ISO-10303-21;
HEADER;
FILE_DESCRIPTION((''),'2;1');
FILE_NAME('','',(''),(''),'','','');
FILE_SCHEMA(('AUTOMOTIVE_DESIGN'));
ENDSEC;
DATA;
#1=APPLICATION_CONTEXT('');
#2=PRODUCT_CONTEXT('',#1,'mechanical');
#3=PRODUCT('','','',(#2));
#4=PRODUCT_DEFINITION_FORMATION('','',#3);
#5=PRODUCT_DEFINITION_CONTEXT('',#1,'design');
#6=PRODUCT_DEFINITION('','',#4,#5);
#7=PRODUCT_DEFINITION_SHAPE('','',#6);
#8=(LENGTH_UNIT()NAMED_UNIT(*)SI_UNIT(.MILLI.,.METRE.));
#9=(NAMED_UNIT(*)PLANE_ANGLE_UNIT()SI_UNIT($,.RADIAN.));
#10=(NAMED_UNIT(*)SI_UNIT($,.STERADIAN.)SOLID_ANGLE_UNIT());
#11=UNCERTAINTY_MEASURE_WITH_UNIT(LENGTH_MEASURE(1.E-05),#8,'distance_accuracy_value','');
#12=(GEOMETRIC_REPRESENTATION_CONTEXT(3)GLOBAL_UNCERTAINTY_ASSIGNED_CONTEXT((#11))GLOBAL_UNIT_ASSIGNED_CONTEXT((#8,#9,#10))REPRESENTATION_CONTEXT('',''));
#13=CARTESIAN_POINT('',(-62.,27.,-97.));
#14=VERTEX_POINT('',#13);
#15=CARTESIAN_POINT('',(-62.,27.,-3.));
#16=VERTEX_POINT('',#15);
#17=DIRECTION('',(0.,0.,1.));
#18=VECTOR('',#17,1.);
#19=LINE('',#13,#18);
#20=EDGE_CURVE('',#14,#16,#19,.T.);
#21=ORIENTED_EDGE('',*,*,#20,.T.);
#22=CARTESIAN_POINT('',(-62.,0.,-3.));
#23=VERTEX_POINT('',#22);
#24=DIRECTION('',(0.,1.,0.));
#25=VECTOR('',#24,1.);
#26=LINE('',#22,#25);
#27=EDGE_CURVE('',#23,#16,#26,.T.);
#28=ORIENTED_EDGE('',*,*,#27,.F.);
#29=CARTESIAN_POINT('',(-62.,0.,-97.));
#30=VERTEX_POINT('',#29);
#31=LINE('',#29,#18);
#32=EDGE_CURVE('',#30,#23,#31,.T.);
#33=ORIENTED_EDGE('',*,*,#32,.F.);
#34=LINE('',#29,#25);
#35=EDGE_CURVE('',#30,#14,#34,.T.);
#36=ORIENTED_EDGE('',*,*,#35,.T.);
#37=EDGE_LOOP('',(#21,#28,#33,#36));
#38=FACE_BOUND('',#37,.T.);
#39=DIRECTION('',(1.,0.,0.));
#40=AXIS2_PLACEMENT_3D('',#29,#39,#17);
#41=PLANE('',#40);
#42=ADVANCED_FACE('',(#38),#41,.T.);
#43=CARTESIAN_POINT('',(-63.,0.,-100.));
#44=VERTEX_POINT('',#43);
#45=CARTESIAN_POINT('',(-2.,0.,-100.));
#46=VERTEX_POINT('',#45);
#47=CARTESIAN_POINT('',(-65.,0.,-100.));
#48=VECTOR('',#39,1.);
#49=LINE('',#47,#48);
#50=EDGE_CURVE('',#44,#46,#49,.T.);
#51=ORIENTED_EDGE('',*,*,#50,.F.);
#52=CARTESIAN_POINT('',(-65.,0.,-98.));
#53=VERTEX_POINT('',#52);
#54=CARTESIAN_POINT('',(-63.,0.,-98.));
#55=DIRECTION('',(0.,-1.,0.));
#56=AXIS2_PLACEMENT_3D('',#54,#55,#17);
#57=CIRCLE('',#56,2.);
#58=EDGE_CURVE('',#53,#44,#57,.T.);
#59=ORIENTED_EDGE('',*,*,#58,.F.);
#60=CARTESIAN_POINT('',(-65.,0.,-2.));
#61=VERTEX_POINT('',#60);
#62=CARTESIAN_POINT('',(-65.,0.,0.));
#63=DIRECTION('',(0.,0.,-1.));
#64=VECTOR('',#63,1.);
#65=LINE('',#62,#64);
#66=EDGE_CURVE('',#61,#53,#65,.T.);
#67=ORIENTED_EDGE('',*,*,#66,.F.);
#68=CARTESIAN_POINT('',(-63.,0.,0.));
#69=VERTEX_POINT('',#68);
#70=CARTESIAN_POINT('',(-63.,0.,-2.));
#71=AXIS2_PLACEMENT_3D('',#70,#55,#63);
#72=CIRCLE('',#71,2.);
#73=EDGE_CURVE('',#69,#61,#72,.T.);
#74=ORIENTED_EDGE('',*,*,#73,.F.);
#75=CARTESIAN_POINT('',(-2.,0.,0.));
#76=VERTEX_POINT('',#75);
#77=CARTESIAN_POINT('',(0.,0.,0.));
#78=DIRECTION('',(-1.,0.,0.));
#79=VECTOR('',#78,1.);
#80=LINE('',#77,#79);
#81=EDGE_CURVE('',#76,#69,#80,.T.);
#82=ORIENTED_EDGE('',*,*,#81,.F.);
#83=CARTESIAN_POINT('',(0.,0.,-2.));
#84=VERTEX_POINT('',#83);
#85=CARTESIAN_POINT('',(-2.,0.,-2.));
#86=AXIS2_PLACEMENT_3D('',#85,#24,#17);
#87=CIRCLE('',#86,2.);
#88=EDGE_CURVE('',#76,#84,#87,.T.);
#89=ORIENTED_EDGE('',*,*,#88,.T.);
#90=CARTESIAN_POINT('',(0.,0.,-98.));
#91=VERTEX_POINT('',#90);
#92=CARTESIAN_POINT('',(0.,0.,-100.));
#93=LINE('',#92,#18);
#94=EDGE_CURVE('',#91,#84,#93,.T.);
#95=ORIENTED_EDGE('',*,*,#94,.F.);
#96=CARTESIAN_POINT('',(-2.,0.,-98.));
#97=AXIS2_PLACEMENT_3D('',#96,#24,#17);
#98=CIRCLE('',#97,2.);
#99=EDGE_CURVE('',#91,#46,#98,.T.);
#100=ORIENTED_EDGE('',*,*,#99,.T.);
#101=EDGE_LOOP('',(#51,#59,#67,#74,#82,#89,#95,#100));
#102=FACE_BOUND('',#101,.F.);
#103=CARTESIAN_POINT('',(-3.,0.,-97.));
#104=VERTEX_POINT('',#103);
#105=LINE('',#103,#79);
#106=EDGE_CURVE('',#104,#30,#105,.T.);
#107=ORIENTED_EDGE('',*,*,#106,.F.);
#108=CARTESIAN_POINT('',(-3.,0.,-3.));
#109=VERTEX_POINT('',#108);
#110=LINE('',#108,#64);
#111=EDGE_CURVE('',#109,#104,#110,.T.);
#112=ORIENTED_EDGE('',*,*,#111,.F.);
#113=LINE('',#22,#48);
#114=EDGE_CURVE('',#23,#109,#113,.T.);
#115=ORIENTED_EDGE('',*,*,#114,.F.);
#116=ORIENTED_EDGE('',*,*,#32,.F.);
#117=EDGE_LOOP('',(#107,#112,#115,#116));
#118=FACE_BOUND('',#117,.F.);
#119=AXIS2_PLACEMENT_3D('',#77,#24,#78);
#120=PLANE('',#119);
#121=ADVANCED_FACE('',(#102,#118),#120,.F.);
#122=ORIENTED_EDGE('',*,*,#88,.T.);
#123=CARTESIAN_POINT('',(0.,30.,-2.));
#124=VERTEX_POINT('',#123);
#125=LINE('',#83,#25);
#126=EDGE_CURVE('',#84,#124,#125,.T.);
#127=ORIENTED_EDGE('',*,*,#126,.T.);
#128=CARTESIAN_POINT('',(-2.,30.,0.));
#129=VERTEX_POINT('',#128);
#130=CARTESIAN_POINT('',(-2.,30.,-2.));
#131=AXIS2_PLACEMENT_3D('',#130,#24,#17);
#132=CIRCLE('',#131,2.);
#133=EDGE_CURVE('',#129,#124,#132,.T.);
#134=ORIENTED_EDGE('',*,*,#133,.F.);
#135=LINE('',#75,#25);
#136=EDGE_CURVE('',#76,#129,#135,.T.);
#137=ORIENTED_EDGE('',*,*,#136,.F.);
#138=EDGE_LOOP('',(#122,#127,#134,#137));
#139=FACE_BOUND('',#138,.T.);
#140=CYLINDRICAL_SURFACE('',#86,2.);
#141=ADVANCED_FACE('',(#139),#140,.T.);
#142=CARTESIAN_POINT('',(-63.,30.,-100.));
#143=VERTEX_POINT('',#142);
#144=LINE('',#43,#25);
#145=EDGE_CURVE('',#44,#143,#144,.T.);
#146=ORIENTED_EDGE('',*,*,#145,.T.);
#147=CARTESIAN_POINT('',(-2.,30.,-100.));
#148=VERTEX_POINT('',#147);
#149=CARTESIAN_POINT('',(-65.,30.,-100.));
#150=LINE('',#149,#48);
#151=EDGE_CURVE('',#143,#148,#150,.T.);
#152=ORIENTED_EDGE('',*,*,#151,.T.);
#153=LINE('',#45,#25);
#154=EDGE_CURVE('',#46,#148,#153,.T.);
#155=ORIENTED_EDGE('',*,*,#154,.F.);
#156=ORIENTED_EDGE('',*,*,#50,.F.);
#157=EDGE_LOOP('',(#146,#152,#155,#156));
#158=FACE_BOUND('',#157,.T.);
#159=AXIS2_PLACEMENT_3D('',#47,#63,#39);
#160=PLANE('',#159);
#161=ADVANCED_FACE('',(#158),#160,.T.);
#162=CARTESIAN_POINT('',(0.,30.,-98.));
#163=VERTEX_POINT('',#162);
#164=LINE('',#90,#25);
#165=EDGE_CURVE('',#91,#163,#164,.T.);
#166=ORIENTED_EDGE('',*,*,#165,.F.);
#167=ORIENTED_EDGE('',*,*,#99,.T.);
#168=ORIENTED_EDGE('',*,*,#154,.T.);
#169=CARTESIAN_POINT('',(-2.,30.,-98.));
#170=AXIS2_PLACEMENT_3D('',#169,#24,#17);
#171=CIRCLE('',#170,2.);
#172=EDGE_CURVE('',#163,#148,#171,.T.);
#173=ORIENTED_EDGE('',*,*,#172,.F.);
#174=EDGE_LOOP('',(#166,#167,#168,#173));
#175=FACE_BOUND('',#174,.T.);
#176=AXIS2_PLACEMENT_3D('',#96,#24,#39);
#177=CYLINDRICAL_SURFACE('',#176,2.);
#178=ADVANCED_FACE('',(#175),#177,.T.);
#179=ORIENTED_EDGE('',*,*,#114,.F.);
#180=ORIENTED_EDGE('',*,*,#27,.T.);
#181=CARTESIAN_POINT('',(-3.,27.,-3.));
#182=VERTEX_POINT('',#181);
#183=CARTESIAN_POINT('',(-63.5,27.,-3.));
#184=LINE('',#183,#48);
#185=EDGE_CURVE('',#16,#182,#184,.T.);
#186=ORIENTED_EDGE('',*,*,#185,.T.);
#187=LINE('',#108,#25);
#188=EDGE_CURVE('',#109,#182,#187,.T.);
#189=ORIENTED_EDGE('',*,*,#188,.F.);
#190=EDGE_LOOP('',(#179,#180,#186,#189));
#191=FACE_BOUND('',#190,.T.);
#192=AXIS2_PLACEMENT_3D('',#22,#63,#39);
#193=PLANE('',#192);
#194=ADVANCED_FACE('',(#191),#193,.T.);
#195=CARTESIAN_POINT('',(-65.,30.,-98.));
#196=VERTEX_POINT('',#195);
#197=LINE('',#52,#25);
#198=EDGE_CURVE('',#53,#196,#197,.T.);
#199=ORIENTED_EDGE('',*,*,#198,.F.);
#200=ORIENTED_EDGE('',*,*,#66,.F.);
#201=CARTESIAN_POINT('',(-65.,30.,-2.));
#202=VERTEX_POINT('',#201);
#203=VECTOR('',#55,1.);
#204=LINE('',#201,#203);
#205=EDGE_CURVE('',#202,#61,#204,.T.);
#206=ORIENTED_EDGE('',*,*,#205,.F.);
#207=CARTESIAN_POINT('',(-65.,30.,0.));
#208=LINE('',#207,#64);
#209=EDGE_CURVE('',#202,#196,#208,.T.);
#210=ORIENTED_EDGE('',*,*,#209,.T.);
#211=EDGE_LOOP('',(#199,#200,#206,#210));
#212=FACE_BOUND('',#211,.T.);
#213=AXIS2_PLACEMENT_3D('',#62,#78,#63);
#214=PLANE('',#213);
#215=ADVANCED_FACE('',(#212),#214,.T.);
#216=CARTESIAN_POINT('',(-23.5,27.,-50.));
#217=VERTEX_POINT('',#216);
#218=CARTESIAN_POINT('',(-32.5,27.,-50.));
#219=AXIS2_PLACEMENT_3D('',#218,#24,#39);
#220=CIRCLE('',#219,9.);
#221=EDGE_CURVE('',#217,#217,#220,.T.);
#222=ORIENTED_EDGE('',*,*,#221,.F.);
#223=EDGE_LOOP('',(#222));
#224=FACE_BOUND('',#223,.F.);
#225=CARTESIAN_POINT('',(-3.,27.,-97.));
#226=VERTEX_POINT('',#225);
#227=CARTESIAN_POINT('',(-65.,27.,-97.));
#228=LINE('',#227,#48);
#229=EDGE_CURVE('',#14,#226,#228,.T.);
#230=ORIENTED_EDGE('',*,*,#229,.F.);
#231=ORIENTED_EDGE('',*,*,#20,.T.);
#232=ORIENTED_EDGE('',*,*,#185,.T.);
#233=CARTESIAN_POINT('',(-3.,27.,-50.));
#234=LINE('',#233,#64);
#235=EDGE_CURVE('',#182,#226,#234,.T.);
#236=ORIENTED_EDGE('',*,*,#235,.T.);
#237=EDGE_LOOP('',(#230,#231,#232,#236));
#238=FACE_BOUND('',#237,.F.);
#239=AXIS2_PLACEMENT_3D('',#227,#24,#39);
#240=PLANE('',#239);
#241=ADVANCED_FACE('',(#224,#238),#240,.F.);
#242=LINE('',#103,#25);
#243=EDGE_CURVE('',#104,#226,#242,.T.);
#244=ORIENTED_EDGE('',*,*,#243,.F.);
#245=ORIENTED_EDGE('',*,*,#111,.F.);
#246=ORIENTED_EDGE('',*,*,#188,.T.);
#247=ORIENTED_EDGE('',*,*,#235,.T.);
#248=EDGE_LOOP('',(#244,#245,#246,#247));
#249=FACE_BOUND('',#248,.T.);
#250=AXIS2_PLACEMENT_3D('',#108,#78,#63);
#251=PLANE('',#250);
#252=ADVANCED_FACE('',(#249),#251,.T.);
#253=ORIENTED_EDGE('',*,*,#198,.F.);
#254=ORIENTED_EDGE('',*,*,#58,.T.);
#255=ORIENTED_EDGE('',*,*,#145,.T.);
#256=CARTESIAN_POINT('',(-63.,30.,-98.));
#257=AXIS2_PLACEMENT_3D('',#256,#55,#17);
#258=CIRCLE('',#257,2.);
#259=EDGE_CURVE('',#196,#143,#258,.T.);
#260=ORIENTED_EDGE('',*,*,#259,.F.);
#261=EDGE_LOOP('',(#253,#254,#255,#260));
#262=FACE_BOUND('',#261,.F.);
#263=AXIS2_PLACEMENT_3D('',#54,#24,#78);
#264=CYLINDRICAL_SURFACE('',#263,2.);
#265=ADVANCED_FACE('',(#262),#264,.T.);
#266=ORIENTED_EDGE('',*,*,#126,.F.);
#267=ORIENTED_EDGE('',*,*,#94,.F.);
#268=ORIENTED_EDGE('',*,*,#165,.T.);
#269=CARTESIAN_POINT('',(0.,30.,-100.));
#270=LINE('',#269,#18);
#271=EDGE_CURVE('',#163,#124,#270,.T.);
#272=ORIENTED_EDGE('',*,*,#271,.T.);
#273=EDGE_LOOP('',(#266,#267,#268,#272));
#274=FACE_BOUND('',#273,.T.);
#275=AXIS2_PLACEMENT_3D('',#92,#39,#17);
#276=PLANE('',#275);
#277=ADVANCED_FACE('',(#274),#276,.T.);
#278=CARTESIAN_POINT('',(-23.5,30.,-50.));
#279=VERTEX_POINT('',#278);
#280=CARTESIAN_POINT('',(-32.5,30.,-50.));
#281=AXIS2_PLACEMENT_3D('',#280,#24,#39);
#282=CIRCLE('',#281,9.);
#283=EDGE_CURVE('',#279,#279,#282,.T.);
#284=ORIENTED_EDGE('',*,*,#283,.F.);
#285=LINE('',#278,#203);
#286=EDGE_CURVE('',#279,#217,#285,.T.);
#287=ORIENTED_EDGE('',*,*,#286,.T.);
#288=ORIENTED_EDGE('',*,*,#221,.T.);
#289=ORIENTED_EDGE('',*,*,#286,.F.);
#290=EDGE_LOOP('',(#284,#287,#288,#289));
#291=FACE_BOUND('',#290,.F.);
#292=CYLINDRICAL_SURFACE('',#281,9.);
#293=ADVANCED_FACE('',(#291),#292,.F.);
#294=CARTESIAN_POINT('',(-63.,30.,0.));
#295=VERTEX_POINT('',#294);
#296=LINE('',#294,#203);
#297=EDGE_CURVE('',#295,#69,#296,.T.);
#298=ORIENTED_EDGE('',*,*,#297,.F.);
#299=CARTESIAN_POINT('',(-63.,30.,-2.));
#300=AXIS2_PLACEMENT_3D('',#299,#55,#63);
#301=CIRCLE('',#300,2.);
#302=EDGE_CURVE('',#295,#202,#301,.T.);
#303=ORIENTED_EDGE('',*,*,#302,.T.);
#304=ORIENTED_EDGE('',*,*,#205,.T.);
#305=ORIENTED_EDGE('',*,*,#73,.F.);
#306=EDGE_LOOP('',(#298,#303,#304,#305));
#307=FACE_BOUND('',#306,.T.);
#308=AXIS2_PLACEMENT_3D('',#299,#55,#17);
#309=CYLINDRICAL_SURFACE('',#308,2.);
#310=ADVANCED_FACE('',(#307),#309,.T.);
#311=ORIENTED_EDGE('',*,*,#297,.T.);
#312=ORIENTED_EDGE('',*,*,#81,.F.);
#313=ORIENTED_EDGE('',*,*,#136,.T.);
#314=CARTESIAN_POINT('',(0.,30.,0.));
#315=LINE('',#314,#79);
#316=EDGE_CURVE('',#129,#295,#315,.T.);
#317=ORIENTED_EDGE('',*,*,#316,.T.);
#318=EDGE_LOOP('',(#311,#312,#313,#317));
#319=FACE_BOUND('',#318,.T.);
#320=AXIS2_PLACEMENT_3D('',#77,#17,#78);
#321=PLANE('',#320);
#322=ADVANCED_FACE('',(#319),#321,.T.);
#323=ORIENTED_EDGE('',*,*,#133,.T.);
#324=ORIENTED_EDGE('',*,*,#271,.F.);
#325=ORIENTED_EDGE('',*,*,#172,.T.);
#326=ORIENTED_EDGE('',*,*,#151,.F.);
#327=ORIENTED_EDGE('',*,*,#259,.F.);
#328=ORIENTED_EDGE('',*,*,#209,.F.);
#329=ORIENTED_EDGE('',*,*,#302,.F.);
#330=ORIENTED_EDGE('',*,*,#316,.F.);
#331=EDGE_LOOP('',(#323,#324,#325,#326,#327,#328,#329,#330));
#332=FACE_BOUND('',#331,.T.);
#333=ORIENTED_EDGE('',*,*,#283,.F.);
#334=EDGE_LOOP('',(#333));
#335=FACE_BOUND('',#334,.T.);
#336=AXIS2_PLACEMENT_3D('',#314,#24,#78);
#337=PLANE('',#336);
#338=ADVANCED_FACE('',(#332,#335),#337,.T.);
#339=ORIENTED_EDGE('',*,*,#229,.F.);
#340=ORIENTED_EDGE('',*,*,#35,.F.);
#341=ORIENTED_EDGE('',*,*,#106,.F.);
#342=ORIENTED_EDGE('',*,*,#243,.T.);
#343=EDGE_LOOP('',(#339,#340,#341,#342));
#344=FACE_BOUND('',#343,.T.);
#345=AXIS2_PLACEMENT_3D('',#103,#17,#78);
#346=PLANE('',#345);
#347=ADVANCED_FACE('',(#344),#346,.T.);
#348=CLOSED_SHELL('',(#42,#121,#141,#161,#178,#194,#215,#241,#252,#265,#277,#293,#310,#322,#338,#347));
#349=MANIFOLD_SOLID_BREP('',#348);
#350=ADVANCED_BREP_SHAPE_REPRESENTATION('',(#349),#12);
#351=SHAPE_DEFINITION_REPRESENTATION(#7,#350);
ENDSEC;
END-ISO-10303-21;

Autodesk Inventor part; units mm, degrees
ref_plane "YZ Plane" through (0, 0, 0) normal (1, 0, 0) x (0, 1, 0)
ref_plane "XZ Plane" through (0, 0, 0) normal (0, 1, 0) x (-1, 0, 0)
ref_plane "XY Plane" through (0, 0, 0) normal (0, 0, 1) x (1, 0, 0)
sketch "Sketch1" plane through (0, 0, 0) normal (0, 1, 0) x (-1, 0, 0)
  line L0 (0, 0) -> (65, 0)
  line L1 (65, 0) -> (65, -100)
  line L2 (65, -100) -> (0, -100)
  line L3 (0, -100) -> (0, 0)
  line L4 (62, -3) -> (3, -3)
  line L5 (3, -3) -> (3, -97)
  line L6 (3, -97) -> (62, -97)
  line L7 (62, -97) -> (62, -3)
  dimension "d0" = 100
  dimension "d1" = 65
  dimension "d2" = 3
  dimension "d3" = 3
  dimension "d5" = 3
  dimension "d6" = 3
extrude "Extrusion1" add sketch "Sketch1" along normal blind 30
sketch "Sketch2" plane through (-62, 0, -97) normal (0, 0, 1) x (1, 0, 0)
  line L0 (62, 30) -> (-3, 30) projected
  line L1 (-3, 0) -> (-3, 30) projected
  line L2 (62, 30) -> (-3, 30)
  line L3 (-3, 30) -> (-3, 27)
  line L4 (-3, 27) -> (62, 27)
  line L5 (62, 27) -> (62, 30)
  point P0 (62, 0)
  dimension "d9" = 3
extrude "Extrusion2" add sketch "Sketch2" along normal blind 97
sketch "Sketch3" plane through (0, 30, 0) normal (0, 1, 0) x (1, 0, 0)
  circle A0 centre (-32.5, 50) radius 9
  line L0 (-65, 100) -> (-65, 0) projected
  line L1 (0, 0) -> (0, 100) projected
  line L2 (-65, 0) -> (0, 0) projected
  line L3 (0, 100) -> (-65, 100) projected
  dimension "d12" = 18
  dimension "d14" = 32.5
  dimension "d15" = 32.5
  dimension "d16" = 50
  dimension "d17" = 50
extrude "Extrusion3" cut sketch "Sketch3" against normal blind 97 contours A0
fillet "Fillet1" radius 2 4 edges at (0, 15, 0) (-65, 15, 0) (0, 15, -100) (-65, 15, -100)
equation "\"d14\" = d15"
equation "\"d16\" = d17"
properties part number "NadstavbaArduinoHranata"
